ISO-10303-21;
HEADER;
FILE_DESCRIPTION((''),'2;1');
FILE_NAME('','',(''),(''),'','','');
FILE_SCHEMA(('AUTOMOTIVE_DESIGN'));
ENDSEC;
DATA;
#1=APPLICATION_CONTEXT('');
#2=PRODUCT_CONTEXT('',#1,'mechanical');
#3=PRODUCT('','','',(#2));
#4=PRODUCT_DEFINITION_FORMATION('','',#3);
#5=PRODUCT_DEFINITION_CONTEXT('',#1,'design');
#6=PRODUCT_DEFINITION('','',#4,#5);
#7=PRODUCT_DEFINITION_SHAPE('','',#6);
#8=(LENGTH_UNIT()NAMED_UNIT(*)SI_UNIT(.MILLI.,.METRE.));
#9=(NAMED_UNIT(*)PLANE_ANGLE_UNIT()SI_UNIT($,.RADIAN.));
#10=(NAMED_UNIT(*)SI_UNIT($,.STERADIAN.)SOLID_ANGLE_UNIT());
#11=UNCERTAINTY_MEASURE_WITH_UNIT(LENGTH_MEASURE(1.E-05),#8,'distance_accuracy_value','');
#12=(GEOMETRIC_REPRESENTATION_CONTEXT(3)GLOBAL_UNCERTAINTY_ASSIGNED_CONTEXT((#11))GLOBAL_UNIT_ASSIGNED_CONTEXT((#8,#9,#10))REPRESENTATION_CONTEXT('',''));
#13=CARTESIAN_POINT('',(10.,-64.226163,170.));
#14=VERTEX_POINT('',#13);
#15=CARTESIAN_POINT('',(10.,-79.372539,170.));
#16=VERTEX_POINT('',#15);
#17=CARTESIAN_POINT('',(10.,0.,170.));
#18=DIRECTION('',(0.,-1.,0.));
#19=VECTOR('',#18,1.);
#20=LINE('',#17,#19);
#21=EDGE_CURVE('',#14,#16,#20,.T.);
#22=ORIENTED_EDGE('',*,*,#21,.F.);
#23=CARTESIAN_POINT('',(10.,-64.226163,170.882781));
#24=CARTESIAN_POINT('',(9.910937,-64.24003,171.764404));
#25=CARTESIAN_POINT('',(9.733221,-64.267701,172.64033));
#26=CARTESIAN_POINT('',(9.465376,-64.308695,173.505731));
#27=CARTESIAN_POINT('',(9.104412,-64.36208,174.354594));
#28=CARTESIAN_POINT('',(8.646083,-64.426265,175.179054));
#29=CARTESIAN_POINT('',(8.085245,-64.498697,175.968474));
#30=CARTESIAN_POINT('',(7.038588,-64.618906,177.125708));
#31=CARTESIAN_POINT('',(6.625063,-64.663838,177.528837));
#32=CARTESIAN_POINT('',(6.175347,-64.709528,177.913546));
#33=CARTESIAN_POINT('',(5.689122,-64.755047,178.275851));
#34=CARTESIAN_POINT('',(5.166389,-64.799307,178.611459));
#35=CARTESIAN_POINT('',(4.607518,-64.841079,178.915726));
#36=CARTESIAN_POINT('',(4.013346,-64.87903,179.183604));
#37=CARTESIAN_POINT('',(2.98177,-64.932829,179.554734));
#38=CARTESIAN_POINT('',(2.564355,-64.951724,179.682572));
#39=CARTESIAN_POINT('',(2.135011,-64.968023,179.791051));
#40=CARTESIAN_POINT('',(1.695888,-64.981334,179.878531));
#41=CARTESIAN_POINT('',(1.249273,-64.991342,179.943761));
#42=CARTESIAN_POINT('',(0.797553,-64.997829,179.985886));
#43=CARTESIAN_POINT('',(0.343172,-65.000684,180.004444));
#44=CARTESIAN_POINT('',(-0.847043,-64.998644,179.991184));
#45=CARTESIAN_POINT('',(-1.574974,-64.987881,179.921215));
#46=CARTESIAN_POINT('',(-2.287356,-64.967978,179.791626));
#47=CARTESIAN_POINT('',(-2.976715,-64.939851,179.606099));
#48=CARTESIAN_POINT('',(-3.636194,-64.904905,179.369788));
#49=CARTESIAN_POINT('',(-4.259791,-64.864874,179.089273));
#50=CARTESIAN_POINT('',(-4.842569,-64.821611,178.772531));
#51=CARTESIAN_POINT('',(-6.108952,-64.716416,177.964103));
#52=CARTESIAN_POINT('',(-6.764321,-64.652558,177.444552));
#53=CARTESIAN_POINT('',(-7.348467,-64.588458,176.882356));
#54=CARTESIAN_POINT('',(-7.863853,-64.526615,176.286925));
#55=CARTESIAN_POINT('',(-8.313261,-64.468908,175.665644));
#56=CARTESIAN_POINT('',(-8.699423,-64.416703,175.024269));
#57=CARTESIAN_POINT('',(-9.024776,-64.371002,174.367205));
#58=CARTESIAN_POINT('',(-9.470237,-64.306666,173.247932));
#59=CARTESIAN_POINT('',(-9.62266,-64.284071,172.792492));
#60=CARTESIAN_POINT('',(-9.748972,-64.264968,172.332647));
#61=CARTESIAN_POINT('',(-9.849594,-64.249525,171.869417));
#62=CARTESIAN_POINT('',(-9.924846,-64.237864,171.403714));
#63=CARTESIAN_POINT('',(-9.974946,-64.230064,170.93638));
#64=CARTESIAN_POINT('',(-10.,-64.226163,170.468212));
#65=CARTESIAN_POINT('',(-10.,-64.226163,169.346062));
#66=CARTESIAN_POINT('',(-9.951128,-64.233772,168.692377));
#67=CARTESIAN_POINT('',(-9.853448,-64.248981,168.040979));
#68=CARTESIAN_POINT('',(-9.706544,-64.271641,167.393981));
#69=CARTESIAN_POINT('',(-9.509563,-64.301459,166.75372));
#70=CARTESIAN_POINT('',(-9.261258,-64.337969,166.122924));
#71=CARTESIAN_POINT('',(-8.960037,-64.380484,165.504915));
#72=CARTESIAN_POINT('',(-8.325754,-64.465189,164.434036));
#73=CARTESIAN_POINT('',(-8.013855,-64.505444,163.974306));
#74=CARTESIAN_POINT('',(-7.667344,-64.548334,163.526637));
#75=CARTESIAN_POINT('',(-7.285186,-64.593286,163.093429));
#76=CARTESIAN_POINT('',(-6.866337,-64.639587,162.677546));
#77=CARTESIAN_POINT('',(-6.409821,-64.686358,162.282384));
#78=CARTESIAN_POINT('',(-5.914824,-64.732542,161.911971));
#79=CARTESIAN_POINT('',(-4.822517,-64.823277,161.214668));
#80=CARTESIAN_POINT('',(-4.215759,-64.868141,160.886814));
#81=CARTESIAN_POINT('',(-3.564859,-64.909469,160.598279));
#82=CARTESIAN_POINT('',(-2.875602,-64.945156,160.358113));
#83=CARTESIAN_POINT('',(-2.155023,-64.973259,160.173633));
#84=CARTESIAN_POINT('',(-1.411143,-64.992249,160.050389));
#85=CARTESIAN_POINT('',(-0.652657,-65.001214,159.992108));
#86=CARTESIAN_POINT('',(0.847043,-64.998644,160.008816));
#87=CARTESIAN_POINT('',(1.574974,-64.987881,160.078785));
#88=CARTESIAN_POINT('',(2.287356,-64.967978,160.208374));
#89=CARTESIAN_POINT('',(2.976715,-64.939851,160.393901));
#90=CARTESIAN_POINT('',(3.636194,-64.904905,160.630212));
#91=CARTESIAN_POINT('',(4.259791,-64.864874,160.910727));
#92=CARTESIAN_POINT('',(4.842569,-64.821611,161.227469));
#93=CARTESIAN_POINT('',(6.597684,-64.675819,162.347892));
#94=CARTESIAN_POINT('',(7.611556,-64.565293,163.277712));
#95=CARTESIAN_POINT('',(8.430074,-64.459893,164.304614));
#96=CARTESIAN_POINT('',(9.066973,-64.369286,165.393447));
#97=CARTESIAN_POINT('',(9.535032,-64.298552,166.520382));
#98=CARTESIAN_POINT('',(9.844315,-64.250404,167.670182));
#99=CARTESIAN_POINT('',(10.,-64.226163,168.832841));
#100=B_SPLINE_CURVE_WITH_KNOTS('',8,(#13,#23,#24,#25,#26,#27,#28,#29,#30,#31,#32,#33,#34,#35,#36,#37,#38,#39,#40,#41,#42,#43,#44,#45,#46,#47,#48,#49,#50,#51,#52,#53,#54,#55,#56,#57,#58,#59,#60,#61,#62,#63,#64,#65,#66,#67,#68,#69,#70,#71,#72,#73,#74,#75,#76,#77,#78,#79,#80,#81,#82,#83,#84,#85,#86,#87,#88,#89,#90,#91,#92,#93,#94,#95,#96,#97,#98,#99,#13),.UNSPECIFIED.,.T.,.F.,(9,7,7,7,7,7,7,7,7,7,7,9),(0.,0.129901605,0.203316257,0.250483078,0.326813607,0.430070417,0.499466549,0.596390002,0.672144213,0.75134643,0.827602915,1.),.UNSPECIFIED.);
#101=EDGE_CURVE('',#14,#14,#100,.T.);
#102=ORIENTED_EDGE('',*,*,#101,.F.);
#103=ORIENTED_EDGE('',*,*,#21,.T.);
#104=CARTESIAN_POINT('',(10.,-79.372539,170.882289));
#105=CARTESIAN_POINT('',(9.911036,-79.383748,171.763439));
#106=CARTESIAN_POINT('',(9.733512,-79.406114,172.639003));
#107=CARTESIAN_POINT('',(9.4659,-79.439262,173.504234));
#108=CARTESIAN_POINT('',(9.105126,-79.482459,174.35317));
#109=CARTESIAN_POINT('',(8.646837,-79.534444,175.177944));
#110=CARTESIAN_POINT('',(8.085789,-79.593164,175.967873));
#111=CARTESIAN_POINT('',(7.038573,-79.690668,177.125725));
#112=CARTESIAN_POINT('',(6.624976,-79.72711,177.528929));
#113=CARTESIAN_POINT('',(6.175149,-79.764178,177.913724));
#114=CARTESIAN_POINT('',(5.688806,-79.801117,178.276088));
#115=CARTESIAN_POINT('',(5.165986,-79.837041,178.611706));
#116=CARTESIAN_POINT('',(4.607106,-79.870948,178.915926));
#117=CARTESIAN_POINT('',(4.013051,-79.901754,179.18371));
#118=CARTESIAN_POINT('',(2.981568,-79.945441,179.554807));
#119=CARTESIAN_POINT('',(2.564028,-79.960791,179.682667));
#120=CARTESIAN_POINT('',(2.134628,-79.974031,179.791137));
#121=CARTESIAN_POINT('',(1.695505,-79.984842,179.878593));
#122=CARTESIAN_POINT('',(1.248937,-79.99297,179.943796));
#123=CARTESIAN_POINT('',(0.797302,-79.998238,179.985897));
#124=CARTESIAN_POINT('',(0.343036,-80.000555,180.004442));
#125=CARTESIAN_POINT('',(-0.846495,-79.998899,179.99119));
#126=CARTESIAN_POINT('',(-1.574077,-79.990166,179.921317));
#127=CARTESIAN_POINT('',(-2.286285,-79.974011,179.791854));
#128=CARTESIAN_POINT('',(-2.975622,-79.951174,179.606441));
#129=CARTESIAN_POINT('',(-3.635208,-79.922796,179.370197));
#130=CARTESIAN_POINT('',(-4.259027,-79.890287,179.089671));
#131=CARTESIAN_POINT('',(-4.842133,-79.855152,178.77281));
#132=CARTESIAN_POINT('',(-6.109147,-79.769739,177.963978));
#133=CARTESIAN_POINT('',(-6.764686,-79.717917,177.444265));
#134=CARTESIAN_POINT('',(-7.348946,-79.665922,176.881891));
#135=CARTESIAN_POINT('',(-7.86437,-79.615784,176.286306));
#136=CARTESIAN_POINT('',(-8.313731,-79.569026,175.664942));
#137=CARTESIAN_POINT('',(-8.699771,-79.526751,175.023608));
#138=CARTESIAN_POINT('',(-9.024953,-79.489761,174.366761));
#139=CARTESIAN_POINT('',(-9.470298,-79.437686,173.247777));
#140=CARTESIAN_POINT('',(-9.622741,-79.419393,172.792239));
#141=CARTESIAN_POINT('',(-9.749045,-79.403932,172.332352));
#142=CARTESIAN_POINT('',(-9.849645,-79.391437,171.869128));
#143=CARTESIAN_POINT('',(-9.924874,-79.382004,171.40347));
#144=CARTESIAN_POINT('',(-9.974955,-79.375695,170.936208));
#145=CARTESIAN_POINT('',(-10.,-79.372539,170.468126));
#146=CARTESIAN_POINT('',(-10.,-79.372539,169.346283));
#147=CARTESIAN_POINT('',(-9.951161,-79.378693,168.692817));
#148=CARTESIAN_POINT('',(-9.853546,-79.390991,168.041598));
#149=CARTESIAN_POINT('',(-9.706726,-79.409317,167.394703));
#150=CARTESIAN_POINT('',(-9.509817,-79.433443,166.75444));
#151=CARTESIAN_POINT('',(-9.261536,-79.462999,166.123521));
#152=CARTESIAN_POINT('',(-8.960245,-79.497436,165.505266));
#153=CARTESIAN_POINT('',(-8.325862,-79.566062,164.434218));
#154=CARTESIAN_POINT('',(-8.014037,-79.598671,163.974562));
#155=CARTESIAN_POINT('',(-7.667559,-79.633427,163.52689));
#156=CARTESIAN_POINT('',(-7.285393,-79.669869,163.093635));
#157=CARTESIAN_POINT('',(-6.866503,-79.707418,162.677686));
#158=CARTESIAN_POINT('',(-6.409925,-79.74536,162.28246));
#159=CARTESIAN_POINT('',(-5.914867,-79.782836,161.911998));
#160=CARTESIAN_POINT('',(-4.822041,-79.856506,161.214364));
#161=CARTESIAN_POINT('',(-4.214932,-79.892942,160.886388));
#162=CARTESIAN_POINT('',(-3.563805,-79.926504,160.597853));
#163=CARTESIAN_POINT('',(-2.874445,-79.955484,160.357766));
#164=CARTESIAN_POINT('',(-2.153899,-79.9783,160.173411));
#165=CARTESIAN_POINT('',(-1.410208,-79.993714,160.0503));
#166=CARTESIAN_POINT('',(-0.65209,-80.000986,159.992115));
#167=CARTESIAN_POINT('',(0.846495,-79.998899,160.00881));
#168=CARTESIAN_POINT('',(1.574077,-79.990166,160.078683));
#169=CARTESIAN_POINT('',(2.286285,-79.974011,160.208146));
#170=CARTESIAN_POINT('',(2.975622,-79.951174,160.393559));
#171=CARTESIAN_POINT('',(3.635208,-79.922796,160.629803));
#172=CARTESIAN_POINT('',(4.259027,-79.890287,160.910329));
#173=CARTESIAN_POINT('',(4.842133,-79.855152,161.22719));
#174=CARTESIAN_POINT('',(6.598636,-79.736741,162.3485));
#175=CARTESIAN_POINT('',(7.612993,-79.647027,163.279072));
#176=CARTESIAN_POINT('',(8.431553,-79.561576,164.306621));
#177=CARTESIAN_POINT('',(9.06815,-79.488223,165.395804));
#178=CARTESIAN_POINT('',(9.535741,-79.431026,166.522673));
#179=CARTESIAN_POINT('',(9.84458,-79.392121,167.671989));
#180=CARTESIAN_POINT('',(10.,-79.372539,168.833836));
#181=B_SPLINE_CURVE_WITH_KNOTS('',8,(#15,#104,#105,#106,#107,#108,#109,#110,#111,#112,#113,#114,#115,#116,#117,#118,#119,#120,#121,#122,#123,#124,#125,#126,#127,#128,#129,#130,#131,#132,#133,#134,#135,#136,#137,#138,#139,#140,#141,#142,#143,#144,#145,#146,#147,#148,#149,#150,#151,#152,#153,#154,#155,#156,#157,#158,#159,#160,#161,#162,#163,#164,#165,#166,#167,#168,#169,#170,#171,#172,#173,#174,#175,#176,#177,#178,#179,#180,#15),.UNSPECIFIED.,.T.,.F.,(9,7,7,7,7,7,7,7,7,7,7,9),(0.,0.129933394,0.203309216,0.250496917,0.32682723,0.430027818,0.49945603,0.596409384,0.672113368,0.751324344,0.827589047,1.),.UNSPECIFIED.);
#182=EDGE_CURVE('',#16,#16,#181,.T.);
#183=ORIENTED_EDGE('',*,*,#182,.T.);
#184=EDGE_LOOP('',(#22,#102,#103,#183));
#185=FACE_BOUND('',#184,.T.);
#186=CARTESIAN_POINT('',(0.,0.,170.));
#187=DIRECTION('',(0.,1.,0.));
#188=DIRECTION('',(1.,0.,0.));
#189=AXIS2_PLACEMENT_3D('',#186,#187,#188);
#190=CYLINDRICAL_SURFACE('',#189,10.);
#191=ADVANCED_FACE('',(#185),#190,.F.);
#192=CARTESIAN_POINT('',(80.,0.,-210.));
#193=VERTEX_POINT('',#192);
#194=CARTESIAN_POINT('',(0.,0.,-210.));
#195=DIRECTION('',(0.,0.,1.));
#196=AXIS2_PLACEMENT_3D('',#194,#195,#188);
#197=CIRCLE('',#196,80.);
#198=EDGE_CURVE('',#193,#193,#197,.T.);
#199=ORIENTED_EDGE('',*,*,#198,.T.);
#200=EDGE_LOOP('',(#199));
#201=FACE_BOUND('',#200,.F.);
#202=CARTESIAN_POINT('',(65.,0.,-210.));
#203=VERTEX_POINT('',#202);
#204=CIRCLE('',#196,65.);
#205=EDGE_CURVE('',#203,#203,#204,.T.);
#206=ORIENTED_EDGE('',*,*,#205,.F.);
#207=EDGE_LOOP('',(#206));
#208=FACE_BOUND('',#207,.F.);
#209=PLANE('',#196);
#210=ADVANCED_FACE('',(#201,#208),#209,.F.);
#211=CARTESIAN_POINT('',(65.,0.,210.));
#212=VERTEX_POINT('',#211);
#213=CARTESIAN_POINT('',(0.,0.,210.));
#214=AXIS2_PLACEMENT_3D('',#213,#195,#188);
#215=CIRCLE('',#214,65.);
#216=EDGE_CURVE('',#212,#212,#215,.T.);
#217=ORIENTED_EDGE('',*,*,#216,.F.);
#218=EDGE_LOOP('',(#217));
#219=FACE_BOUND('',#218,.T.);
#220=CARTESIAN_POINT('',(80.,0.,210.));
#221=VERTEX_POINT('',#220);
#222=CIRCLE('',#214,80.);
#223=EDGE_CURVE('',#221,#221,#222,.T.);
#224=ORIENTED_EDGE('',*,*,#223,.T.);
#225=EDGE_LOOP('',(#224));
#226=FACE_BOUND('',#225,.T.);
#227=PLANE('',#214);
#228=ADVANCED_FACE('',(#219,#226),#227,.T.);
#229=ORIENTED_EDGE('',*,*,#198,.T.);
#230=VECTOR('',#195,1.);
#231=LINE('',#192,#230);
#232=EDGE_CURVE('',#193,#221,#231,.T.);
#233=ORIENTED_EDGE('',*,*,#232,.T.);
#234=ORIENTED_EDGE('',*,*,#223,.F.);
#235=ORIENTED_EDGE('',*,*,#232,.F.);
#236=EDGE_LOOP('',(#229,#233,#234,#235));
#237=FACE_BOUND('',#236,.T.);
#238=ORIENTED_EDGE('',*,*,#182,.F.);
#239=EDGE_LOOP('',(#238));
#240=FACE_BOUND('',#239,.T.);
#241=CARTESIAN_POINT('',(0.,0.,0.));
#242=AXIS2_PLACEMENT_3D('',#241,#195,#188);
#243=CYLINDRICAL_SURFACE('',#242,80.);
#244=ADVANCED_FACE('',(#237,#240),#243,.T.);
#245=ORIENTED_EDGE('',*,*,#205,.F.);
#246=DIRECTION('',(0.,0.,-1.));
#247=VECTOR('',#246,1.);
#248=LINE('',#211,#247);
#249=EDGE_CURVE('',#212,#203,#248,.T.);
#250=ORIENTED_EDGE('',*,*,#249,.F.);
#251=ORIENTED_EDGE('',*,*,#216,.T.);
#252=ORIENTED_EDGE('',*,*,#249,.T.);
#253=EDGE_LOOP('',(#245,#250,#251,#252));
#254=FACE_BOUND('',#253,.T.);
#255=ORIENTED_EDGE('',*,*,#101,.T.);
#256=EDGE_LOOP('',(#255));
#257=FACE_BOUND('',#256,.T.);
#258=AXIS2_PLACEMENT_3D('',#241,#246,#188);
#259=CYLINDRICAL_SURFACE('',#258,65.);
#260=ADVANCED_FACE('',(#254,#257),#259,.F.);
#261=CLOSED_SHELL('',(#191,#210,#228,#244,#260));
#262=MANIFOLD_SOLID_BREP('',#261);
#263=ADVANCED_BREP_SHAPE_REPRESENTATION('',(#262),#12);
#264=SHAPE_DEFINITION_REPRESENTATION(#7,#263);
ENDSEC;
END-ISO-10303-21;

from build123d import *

# Parameters (mm, degrees)
F0_R     = 80
F0_R_2   = 65
F1_DEPTH = 210
F2_R     = 10
F3_DEPTH = 80.001


with BuildPart() as f1:
    # F0 (on Top) → F1 (new body, symmetric)
    with BuildSketch(Plane.XY):
        Circle(F0_R)
        Circle(F0_R_2, mode=Mode.SUBTRACT)
    extrude(amount=F1_DEPTH, both=True)

    # F2 (on Front) → F3 (cut, through all)
    with BuildSketch(Plane.XZ):
        with Locations((0, 170)):
            Circle(F2_R)
    extrude(amount=F3_DEPTH, mode=Mode.SUBTRACT)


solid = f1.part
